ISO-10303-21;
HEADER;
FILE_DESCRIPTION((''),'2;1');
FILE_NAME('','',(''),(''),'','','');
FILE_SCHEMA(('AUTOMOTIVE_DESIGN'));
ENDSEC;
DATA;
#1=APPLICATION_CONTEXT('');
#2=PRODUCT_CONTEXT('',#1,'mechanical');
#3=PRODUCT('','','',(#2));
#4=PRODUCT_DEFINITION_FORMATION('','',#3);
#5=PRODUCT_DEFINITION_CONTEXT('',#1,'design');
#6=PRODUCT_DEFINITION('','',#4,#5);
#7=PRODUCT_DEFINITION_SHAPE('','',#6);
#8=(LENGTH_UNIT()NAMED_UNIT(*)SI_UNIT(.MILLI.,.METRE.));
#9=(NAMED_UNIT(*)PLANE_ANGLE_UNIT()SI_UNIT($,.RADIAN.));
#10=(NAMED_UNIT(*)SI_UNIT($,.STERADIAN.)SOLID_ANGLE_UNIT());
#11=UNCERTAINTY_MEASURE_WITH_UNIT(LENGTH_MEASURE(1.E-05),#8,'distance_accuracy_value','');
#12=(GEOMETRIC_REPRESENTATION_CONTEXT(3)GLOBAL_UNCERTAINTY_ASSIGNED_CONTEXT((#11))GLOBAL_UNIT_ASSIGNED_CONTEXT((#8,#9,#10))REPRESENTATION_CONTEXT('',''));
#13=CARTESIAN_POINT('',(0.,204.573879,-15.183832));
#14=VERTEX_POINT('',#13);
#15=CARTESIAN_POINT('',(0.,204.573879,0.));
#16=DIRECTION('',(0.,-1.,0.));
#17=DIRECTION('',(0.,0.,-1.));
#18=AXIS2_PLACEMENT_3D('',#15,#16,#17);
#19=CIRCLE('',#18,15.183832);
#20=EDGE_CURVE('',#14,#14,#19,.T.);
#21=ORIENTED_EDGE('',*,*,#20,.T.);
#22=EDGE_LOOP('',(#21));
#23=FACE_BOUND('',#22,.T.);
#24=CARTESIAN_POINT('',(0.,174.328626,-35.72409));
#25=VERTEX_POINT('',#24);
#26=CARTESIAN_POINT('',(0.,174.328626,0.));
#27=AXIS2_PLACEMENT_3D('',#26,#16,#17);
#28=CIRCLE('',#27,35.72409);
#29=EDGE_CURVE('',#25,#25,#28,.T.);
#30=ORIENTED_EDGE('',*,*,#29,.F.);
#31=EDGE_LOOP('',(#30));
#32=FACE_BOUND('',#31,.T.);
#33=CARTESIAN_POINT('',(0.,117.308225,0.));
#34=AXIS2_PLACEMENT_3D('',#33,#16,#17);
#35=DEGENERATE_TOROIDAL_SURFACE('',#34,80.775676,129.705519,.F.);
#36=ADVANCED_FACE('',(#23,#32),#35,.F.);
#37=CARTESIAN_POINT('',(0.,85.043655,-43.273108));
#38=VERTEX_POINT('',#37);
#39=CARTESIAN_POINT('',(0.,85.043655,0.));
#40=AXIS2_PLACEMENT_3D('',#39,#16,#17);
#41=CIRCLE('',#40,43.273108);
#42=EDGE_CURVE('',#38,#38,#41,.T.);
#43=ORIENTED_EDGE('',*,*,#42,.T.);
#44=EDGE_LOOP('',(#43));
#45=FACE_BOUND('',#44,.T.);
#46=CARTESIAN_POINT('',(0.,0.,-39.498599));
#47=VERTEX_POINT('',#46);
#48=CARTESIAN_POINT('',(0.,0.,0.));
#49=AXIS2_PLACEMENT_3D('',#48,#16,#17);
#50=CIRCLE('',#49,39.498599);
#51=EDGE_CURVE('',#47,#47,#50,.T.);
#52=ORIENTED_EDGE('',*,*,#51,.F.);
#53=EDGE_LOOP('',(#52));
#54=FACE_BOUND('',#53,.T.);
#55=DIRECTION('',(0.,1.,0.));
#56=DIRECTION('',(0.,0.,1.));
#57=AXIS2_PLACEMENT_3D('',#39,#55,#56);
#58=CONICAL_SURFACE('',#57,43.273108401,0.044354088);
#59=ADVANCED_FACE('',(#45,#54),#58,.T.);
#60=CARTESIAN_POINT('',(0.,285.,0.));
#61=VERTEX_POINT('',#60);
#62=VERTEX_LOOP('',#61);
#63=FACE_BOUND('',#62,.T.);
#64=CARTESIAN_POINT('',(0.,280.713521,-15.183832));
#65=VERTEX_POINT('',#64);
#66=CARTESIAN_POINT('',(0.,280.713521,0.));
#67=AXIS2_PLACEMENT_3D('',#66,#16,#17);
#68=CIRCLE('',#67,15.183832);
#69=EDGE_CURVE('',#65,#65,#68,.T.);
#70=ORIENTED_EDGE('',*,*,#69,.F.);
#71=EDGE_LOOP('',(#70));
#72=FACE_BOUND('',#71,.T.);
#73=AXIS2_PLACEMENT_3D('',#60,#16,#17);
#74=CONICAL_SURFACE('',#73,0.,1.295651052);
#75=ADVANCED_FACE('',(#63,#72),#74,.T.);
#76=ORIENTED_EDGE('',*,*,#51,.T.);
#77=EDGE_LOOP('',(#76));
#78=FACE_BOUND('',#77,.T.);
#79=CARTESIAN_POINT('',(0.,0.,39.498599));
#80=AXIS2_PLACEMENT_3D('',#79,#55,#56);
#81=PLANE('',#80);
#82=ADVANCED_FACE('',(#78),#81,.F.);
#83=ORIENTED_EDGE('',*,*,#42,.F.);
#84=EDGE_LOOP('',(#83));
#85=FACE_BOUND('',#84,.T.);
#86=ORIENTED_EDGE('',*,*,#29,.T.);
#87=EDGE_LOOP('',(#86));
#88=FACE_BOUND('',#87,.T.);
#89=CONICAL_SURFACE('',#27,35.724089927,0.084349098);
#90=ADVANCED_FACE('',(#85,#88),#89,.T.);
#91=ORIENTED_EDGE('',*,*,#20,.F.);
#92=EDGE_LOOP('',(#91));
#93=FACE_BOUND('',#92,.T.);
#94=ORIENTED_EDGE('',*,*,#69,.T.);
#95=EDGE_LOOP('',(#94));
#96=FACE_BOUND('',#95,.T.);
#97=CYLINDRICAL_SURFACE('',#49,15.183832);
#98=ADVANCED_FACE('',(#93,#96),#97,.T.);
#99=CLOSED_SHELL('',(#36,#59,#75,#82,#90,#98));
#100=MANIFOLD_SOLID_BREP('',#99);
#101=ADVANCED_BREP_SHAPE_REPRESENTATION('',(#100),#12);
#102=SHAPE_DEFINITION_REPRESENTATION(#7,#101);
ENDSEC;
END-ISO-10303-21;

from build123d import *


with BuildPart() as part:
    # Sketch1 → Revolve1 (revolve)
    with BuildSketch(Plane(origin=(0, 0, 0), x_dir=(0, 0, -1), z_dir=(1, 0, 0)), mode=Mode.PRIVATE) as revolve1_sk:
        with BuildLine():
            Line((0, 285), (-15.183832064, 280.713521285))
            Line((-15.183832064, 280.713521285), (-15.183832064, 204.573878901))
            ThreePointArc((-15.183832064, 204.573878901), (-26.52497456, 190.178602644), (-35.724089927, 174.328625732))
            Line((-35.724089927, 174.328625732), (-43.273108401, 85.043654791))
            Line((-43.273108401, 85.043654791), (-39.498599164, 0))
            Line((-39.498599164, 0), (0, 0))
            Line((0, 0), (0, 285))
        make_face()
    revolve(revolve1_sk.sketch.rotate(Axis((0, 0, 0), (0, 1, 0)), 180), axis=Axis((0, 0, 0), (0, 1, 0)))


solid = part.part
